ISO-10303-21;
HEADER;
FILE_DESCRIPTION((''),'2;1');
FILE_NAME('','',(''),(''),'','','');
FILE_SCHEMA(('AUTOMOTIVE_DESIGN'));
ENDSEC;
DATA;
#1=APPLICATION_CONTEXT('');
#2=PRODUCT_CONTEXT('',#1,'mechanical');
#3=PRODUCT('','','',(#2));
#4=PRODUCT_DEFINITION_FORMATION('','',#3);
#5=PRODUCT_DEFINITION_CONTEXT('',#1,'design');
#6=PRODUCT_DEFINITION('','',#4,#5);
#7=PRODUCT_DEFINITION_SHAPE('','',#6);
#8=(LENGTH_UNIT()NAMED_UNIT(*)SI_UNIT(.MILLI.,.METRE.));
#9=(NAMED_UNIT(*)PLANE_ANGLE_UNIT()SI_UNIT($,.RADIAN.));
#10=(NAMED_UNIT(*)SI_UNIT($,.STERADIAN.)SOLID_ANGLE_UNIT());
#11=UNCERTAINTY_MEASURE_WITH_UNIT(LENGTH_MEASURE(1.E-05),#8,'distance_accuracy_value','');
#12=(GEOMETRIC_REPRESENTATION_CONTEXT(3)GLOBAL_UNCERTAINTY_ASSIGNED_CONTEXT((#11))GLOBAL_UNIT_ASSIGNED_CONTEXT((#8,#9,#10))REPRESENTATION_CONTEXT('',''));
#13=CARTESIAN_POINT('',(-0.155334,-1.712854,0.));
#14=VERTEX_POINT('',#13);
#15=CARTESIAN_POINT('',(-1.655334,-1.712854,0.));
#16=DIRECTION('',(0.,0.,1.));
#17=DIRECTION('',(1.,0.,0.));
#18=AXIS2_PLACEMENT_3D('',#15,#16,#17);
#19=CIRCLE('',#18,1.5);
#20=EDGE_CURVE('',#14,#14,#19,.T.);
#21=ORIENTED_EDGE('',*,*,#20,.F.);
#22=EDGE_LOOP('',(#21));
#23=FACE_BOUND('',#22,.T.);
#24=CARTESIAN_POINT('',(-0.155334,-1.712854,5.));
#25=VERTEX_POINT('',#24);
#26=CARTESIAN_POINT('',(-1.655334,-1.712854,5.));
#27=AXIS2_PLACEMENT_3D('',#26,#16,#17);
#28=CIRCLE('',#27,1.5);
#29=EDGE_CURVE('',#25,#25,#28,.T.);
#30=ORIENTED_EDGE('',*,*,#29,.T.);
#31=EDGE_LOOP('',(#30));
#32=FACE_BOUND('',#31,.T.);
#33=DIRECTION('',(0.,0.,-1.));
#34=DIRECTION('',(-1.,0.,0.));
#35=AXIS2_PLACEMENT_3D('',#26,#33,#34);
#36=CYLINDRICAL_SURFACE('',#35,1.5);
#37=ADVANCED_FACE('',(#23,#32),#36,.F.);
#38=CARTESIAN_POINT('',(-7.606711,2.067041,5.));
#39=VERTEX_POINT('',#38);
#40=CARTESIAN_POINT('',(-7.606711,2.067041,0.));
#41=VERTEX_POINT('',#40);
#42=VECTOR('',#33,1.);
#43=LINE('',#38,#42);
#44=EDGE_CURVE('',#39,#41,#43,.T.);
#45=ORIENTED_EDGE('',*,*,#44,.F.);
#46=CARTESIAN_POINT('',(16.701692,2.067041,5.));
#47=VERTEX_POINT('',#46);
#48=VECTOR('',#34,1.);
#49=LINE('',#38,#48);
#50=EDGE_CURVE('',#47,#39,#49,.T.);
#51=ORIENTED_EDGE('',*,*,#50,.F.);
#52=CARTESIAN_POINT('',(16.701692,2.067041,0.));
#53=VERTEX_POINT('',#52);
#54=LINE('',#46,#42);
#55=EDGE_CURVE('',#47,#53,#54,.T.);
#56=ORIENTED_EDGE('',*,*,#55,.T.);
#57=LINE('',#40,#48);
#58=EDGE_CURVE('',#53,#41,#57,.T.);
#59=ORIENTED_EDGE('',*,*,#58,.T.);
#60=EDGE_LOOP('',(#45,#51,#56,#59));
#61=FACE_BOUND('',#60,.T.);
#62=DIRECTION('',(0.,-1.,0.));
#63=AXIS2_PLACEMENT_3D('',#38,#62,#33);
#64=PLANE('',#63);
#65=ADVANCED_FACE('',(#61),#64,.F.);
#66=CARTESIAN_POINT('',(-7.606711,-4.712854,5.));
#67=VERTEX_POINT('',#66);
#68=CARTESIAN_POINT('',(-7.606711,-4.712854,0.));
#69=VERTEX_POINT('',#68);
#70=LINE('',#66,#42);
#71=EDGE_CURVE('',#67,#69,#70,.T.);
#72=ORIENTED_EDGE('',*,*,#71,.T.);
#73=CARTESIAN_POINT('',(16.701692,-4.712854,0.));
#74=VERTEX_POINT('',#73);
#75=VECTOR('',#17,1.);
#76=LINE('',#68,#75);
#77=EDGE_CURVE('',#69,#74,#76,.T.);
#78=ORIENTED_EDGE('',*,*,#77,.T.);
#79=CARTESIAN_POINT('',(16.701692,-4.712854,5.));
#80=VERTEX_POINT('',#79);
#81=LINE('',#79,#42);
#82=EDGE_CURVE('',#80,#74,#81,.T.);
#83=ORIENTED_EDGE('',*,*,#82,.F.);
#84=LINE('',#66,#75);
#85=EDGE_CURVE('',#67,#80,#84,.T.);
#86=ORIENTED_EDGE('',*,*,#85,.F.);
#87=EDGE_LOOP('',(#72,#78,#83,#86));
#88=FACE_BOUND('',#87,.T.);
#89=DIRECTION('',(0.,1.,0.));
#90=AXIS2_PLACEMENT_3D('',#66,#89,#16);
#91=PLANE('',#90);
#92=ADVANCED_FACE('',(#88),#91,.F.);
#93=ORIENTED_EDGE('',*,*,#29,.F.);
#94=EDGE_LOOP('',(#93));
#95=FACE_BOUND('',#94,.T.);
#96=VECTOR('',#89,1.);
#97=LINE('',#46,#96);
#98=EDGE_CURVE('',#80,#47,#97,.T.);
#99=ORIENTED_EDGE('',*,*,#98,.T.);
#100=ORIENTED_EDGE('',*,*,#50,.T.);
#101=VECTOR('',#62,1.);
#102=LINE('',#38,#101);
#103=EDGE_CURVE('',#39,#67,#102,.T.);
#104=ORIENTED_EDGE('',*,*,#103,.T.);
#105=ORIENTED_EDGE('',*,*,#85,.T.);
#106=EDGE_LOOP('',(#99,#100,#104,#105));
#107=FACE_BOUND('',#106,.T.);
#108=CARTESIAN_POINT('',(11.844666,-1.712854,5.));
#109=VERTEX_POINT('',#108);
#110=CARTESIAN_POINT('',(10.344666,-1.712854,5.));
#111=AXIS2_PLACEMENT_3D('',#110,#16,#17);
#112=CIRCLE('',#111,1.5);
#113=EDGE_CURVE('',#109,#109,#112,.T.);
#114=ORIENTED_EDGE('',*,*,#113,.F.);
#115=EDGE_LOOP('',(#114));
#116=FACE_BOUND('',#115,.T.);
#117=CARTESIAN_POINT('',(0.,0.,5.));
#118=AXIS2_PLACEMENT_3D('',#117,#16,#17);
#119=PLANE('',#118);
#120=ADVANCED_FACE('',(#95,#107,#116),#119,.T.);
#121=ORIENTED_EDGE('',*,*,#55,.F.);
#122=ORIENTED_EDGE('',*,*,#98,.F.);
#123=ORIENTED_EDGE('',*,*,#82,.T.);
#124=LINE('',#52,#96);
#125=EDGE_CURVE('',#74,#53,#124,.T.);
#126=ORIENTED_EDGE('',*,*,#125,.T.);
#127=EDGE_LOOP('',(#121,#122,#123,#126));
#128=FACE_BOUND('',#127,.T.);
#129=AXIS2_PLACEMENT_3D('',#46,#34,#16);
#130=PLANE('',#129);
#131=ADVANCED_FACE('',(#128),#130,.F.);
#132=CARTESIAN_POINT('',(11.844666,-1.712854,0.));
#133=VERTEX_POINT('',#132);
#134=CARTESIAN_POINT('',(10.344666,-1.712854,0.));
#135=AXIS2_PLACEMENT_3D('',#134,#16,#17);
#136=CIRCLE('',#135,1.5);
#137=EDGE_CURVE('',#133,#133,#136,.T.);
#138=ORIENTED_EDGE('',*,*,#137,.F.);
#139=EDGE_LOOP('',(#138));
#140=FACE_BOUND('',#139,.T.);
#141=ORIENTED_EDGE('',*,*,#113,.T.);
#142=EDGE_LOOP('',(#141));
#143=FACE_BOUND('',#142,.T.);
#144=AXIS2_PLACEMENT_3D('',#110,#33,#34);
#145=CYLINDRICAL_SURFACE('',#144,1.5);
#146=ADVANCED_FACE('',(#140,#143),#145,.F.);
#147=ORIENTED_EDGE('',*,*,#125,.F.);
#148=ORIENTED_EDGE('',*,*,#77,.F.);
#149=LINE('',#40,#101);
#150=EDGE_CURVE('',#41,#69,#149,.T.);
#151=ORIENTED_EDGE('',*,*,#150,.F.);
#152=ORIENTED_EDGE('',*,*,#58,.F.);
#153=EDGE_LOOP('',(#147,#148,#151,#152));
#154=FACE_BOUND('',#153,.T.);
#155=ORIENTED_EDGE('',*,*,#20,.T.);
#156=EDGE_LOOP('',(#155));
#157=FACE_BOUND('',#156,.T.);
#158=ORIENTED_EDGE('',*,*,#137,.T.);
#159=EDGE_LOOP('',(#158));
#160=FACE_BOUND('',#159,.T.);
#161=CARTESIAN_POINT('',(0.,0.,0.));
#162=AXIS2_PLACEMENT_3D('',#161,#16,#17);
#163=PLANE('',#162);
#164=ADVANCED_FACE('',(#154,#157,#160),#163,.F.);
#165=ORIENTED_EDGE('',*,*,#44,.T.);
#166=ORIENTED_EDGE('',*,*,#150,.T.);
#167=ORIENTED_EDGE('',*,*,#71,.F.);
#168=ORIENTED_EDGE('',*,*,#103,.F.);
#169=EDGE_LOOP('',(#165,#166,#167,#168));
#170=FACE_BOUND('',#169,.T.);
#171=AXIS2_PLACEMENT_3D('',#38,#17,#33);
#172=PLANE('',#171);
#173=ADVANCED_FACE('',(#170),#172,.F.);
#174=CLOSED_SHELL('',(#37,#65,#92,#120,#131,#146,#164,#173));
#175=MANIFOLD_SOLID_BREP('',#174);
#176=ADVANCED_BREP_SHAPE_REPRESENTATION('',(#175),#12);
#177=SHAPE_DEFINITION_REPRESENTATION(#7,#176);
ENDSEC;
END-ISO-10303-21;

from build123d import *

# Parameters (mm, degrees)
SKETCH1_W           = 24.30840356
SKETCH1_H           = 6.77989487
SKETCH1_R           = 1.5
SKETCH1_R_2         = 1.500000007
BOSS_EXTRUDE1_DEPTH = 5


with BuildPart() as part:
    # Sketch1 → Boss-Extrude1 (new body)
    with BuildSketch(Plane.XY):
        with Locations((4.547490462, -1.322906316)):
            Rectangle(SKETCH1_W, SKETCH1_H)
        with Locations((-1.655334115, -1.71285375)):
            Circle(SKETCH1_R, mode=Mode.SUBTRACT)
        with Locations((10.344665883, -1.712853758)):
            Circle(SKETCH1_R_2, mode=Mode.SUBTRACT)
    extrude(amount=BOSS_EXTRUDE1_DEPTH)


solid = part.part
